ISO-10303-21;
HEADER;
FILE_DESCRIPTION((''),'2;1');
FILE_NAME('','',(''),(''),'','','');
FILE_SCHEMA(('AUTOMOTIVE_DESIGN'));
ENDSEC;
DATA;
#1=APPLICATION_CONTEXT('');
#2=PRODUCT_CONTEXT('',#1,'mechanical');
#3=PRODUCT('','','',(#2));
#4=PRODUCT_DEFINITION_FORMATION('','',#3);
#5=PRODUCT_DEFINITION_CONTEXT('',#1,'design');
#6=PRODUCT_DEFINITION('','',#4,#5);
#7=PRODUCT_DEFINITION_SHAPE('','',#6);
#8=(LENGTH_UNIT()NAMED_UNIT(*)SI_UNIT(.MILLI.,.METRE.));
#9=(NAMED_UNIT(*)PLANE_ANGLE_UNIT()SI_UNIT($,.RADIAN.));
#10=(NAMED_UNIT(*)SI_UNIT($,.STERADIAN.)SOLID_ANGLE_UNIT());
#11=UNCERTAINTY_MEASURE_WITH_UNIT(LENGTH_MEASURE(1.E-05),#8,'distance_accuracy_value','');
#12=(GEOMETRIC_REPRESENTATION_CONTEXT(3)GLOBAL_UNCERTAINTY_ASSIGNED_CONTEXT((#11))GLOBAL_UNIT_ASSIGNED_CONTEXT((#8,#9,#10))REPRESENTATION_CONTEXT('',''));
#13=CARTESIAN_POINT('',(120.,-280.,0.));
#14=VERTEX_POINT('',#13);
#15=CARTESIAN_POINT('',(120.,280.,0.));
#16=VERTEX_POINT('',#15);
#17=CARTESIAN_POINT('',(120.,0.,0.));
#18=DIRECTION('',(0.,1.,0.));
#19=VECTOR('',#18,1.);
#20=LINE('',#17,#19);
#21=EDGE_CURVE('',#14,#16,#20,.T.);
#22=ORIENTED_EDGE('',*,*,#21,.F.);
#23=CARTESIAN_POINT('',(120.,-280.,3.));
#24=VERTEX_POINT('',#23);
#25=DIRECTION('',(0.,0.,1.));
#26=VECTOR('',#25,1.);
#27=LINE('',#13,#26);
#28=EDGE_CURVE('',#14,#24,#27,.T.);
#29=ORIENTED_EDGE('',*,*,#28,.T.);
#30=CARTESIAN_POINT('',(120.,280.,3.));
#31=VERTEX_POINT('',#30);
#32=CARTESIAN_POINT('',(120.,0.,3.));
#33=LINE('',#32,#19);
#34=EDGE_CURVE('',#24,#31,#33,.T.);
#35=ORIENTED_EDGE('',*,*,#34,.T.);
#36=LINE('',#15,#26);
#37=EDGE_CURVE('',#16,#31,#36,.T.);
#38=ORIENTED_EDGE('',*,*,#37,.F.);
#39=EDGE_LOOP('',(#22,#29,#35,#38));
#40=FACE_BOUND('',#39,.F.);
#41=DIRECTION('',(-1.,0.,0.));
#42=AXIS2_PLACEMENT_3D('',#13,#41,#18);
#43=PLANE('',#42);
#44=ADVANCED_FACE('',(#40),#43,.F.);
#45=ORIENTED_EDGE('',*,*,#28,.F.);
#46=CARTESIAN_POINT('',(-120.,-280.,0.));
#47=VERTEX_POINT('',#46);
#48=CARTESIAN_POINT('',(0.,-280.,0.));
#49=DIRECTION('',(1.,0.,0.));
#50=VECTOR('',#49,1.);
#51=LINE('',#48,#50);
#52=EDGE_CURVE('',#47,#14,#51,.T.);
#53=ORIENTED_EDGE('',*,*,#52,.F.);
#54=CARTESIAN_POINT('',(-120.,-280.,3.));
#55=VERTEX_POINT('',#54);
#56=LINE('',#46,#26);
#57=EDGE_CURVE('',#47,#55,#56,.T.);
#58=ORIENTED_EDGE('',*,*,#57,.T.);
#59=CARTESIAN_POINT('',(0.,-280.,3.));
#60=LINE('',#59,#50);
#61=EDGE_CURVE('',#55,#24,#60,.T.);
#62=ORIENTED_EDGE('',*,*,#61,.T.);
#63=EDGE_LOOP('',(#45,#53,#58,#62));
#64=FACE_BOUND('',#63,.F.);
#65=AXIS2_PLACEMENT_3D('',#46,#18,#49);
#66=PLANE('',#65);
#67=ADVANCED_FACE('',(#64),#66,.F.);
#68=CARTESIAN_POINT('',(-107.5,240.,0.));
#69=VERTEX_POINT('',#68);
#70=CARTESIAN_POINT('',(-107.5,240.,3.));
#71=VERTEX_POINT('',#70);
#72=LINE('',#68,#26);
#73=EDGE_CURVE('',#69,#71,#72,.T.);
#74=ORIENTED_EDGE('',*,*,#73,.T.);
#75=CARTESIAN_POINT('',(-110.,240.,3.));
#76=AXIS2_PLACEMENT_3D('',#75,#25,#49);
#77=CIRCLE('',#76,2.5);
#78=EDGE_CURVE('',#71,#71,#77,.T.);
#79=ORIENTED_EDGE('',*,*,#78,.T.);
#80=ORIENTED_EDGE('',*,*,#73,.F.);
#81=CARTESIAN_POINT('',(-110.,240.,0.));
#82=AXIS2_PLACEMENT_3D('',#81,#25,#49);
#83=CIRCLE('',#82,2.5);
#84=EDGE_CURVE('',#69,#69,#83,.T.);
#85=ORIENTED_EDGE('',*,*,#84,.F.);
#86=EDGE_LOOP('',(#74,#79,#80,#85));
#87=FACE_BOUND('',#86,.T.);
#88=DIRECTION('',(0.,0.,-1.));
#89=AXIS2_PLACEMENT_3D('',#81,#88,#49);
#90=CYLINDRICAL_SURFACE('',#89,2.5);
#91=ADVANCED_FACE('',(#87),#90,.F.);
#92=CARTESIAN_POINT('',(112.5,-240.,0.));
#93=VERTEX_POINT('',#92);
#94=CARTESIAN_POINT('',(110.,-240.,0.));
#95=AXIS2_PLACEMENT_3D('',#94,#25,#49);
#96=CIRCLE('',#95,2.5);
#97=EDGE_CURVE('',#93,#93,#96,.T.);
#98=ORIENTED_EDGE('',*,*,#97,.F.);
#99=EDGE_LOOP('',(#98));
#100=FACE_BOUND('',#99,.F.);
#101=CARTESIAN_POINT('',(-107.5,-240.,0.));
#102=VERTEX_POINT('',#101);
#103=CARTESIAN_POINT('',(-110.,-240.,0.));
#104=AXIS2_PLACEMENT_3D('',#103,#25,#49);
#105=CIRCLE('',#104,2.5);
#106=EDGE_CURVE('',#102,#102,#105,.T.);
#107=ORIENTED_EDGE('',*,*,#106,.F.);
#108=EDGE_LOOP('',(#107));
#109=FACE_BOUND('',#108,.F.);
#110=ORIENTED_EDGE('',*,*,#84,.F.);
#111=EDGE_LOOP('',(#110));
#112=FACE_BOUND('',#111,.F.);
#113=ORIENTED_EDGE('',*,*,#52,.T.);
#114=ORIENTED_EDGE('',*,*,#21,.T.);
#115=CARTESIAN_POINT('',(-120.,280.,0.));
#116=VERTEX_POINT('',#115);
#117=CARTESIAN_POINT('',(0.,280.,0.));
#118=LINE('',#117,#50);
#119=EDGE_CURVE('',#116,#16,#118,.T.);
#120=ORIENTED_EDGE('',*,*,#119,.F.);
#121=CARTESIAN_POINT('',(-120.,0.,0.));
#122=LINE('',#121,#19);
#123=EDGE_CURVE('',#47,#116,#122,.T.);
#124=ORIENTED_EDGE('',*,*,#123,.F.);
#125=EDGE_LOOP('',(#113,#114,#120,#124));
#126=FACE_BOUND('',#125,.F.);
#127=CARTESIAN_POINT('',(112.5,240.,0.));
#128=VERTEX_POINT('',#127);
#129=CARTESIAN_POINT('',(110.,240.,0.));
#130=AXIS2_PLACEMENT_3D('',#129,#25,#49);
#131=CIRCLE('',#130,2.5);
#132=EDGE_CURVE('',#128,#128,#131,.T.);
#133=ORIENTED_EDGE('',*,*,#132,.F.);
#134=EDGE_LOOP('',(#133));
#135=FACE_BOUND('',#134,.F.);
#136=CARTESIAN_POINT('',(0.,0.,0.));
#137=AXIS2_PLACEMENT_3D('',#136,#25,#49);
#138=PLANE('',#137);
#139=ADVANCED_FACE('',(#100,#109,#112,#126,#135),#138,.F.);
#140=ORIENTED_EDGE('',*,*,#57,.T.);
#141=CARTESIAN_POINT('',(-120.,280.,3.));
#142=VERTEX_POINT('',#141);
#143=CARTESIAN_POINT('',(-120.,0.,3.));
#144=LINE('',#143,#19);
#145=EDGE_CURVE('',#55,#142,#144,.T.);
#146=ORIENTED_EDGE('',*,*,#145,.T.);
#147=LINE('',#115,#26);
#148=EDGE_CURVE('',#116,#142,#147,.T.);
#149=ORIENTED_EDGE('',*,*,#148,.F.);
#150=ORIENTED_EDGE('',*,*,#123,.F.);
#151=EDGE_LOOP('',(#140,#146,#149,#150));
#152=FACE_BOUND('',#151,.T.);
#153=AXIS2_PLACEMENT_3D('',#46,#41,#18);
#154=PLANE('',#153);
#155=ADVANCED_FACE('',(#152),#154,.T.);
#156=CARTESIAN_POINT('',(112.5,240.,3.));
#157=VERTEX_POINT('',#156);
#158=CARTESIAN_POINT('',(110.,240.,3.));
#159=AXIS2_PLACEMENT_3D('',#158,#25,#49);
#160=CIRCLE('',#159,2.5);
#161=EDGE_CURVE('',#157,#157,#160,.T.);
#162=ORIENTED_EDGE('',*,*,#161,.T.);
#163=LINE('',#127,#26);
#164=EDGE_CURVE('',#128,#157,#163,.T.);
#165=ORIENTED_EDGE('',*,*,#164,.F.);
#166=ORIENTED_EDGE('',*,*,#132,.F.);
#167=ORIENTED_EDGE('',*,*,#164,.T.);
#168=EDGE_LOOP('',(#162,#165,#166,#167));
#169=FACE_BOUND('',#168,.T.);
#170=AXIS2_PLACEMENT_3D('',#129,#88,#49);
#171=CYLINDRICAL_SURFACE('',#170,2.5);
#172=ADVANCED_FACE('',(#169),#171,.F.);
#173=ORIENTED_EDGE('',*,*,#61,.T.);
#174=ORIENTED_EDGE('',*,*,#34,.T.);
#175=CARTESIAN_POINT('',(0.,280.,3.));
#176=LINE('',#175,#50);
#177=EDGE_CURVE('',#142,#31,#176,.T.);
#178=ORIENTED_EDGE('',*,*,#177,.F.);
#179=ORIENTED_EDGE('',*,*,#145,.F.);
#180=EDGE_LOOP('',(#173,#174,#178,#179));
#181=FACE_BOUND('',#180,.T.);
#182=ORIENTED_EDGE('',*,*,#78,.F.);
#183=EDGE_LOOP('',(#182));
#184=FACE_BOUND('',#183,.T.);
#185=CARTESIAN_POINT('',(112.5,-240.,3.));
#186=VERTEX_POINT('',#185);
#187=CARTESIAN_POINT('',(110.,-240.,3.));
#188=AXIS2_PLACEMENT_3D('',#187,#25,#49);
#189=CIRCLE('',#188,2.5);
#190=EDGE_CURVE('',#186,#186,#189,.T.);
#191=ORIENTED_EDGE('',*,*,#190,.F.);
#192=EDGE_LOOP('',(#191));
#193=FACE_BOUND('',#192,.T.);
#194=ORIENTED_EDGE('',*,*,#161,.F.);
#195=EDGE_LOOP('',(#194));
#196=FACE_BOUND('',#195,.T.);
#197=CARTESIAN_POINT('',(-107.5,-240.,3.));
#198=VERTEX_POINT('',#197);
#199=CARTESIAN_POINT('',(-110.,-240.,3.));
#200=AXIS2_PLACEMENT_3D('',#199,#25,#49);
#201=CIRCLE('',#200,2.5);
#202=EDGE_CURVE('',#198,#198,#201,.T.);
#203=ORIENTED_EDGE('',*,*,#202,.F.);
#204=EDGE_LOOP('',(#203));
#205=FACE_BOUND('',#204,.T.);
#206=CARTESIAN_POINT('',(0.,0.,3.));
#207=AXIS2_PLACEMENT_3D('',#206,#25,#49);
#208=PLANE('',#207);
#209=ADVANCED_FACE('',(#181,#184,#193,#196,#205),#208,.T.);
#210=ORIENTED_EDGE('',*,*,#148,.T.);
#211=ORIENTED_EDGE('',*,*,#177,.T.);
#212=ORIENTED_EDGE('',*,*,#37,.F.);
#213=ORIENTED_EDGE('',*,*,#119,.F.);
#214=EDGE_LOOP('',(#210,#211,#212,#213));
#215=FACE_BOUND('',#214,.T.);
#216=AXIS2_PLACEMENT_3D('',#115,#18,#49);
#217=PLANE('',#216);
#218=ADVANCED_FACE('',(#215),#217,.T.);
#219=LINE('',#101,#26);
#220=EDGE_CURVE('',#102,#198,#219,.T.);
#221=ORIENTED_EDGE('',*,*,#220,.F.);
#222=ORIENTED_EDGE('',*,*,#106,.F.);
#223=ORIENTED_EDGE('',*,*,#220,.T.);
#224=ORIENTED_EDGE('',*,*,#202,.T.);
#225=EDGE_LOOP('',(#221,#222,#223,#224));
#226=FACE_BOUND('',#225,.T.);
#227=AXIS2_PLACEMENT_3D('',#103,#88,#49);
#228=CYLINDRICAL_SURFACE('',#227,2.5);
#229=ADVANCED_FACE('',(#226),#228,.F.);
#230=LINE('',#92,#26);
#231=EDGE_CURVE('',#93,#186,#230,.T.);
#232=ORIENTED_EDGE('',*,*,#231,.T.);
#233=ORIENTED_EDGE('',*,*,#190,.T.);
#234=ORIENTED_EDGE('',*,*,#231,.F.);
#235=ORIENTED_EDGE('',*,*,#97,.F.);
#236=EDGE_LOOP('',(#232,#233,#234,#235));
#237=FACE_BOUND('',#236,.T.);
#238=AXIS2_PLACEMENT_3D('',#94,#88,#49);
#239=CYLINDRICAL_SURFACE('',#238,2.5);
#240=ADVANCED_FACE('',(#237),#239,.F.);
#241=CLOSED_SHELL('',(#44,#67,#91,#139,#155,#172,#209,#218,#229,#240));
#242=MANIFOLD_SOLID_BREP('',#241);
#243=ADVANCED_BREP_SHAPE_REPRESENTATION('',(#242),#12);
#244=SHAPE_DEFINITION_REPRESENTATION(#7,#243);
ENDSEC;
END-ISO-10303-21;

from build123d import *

# Parameters (mm, degrees)
SKETCH_W  = 240
SKETCH_H  = 560
SKETCH_R  = 2.5
PAD_DEPTH = 3


with BuildPart() as part:
    # Sketch → Pad (new body)
    with BuildSketch(Plane.XY):
        Rectangle(SKETCH_W, SKETCH_H)
        with Locations((-110, 240)):
            Circle(SKETCH_R, mode=Mode.SUBTRACT)
        with Locations((110, 240)):
            Circle(SKETCH_R, mode=Mode.SUBTRACT)
        with Locations((-110, -240)):
            Circle(SKETCH_R, mode=Mode.SUBTRACT)
        with Locations((110, -240)):
            Circle(SKETCH_R, mode=Mode.SUBTRACT)
    extrude(amount=PAD_DEPTH)


solid = part.part
